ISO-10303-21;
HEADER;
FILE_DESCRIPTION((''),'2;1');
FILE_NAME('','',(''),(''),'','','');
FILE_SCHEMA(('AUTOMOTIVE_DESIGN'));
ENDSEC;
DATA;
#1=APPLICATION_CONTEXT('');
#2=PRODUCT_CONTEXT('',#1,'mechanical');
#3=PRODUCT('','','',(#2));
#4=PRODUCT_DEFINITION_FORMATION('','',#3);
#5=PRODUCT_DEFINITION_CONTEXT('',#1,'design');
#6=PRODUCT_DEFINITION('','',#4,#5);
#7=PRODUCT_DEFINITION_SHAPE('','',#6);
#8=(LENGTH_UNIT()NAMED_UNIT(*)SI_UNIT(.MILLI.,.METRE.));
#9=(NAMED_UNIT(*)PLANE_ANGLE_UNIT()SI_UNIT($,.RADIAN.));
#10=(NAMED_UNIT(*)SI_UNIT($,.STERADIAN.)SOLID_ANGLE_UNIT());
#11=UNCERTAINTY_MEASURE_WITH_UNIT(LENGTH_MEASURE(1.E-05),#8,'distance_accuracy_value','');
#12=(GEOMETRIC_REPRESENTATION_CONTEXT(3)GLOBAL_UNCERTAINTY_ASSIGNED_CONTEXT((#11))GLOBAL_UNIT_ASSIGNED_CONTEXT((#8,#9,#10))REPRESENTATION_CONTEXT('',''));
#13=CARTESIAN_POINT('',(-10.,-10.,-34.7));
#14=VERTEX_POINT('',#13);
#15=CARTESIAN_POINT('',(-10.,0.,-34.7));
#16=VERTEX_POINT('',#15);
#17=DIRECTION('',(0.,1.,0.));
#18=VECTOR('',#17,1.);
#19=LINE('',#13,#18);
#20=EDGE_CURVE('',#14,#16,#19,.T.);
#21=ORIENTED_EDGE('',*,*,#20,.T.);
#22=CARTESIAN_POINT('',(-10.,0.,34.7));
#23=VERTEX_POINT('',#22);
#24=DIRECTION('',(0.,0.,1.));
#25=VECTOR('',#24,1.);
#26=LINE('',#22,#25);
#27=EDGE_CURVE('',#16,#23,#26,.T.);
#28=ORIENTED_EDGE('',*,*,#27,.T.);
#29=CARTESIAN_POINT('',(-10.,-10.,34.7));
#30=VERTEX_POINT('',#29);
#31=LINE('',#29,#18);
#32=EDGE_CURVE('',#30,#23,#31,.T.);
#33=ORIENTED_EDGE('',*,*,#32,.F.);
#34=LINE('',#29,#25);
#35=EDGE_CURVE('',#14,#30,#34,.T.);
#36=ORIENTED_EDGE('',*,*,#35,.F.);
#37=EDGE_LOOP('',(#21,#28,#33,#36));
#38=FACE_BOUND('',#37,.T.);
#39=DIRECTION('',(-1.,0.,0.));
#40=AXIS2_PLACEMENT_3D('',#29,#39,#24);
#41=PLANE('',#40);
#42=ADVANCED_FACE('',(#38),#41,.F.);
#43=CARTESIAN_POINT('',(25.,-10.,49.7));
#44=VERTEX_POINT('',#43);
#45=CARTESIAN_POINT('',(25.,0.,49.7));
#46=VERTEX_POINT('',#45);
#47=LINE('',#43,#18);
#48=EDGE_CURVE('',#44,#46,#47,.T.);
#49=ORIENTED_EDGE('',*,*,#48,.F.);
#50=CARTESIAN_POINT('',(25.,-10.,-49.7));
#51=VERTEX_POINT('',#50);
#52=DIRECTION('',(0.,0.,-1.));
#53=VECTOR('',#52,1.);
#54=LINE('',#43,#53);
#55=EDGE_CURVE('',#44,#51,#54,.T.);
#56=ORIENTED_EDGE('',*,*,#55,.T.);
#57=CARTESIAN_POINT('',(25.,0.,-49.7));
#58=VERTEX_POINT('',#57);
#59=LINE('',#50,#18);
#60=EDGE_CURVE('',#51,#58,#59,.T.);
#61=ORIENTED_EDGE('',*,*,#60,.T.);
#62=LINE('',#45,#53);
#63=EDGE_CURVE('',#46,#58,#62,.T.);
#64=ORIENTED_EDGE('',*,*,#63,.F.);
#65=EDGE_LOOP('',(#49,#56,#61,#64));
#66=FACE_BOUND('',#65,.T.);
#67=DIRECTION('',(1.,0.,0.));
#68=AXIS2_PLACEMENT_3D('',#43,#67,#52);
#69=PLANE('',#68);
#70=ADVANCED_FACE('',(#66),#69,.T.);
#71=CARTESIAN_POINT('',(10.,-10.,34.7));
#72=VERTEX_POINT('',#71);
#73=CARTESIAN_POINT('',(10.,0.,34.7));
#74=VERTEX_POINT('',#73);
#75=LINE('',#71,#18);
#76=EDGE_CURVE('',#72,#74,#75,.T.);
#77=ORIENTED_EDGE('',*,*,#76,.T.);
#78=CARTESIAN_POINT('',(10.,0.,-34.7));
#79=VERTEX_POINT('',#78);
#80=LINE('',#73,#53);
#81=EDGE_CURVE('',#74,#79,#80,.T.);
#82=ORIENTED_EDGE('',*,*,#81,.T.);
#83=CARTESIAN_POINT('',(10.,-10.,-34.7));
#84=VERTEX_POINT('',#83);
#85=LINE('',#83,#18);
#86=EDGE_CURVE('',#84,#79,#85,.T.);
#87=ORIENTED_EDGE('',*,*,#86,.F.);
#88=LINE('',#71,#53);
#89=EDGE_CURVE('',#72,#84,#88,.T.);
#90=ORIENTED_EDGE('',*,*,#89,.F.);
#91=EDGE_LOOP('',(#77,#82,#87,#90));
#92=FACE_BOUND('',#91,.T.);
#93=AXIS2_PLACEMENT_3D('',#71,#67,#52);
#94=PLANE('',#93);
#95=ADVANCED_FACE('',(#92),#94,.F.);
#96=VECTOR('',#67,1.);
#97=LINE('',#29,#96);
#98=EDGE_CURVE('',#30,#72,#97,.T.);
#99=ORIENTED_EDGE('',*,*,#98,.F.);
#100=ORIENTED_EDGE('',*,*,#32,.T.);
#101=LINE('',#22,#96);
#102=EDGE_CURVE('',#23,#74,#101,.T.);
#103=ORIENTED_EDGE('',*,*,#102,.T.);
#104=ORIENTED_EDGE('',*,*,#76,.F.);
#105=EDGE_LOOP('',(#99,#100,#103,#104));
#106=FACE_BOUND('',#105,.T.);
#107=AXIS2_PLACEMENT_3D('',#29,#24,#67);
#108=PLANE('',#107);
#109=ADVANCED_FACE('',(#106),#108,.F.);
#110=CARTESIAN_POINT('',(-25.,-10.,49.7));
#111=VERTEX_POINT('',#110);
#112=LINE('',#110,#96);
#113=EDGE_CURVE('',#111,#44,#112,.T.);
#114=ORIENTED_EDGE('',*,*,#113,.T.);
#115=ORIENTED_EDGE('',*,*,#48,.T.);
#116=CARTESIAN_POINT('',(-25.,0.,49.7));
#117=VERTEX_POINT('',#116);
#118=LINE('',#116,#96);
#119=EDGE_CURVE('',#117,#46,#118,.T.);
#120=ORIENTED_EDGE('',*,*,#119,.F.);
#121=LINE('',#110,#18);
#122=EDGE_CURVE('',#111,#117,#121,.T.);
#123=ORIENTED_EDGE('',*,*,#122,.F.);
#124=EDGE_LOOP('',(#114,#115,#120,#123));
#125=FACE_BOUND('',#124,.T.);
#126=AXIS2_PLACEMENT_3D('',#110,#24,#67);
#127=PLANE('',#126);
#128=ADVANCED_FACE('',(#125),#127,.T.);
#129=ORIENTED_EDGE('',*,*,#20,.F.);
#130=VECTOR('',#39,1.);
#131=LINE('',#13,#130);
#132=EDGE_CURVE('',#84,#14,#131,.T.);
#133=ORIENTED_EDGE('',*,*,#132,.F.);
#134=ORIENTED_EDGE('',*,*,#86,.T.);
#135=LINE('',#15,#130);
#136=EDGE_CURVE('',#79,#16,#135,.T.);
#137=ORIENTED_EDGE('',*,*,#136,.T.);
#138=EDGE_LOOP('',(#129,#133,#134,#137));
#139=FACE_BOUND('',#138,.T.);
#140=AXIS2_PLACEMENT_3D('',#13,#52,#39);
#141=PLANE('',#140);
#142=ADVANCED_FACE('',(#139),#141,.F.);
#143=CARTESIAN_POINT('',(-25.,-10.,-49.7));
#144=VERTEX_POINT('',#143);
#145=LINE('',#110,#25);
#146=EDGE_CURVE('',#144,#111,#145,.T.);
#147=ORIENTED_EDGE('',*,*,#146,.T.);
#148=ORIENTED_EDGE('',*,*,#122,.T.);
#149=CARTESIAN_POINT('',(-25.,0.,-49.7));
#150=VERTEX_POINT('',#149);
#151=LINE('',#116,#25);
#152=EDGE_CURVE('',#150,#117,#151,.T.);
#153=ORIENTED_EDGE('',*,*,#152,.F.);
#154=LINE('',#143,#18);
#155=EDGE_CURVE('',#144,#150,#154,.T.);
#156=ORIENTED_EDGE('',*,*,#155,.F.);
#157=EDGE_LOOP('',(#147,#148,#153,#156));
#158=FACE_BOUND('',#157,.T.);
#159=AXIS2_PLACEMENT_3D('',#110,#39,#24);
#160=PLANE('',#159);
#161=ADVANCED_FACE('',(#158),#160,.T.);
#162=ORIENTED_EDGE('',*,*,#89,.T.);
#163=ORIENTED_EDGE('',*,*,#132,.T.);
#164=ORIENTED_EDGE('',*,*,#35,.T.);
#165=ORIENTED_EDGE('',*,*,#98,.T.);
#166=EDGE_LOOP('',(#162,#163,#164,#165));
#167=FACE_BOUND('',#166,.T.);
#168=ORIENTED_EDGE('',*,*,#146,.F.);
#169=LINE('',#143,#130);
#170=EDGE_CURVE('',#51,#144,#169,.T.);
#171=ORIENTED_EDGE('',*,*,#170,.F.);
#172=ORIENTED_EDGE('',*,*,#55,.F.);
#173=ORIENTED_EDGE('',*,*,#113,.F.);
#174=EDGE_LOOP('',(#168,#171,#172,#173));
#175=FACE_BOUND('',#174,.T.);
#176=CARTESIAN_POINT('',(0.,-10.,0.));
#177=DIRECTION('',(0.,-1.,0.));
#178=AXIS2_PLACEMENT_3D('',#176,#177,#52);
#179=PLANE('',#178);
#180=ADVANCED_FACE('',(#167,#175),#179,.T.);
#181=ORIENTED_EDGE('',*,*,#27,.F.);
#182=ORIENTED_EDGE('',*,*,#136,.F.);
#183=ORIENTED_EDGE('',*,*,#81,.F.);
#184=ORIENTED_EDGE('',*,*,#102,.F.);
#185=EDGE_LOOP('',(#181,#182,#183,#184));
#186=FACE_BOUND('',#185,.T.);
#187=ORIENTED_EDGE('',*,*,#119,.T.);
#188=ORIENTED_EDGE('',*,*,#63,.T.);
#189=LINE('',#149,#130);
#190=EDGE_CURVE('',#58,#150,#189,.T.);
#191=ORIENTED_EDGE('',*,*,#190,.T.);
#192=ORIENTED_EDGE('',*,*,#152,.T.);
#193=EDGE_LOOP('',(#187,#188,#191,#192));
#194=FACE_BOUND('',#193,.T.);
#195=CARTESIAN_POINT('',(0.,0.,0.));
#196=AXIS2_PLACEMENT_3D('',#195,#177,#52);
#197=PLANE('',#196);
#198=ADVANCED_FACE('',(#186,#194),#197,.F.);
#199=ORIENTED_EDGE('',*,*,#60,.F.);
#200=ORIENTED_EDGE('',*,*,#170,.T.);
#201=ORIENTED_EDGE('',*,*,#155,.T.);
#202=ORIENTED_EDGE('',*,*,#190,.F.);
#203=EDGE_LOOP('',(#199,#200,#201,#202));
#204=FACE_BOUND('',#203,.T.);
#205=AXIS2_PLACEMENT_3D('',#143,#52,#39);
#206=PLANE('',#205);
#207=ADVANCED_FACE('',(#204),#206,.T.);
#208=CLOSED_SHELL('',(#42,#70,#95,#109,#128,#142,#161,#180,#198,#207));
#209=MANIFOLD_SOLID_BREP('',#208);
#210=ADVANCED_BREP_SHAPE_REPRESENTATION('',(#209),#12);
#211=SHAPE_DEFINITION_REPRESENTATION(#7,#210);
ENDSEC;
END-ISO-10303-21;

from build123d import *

# Parameters (mm, degrees)
SKETCH1_W           = 50
SKETCH1_H           = 99.4
SKETCH1_W_2         = 20
SKETCH1_H_2         = 69.4
BOSS_EXTRUDE1_DEPTH = 10


with BuildPart() as part:
    # Sketch1 → Boss-Extrude1 (new body)
    with BuildSketch(Plane(origin=(0, 0, 0), x_dir=(1, 0, 0), z_dir=(0, 1, 0))):
        Rectangle(SKETCH1_W, SKETCH1_H)
        Rectangle(SKETCH1_W_2, SKETCH1_H_2, mode=Mode.SUBTRACT)
    extrude(amount=-BOSS_EXTRUDE1_DEPTH)


solid = part.part
